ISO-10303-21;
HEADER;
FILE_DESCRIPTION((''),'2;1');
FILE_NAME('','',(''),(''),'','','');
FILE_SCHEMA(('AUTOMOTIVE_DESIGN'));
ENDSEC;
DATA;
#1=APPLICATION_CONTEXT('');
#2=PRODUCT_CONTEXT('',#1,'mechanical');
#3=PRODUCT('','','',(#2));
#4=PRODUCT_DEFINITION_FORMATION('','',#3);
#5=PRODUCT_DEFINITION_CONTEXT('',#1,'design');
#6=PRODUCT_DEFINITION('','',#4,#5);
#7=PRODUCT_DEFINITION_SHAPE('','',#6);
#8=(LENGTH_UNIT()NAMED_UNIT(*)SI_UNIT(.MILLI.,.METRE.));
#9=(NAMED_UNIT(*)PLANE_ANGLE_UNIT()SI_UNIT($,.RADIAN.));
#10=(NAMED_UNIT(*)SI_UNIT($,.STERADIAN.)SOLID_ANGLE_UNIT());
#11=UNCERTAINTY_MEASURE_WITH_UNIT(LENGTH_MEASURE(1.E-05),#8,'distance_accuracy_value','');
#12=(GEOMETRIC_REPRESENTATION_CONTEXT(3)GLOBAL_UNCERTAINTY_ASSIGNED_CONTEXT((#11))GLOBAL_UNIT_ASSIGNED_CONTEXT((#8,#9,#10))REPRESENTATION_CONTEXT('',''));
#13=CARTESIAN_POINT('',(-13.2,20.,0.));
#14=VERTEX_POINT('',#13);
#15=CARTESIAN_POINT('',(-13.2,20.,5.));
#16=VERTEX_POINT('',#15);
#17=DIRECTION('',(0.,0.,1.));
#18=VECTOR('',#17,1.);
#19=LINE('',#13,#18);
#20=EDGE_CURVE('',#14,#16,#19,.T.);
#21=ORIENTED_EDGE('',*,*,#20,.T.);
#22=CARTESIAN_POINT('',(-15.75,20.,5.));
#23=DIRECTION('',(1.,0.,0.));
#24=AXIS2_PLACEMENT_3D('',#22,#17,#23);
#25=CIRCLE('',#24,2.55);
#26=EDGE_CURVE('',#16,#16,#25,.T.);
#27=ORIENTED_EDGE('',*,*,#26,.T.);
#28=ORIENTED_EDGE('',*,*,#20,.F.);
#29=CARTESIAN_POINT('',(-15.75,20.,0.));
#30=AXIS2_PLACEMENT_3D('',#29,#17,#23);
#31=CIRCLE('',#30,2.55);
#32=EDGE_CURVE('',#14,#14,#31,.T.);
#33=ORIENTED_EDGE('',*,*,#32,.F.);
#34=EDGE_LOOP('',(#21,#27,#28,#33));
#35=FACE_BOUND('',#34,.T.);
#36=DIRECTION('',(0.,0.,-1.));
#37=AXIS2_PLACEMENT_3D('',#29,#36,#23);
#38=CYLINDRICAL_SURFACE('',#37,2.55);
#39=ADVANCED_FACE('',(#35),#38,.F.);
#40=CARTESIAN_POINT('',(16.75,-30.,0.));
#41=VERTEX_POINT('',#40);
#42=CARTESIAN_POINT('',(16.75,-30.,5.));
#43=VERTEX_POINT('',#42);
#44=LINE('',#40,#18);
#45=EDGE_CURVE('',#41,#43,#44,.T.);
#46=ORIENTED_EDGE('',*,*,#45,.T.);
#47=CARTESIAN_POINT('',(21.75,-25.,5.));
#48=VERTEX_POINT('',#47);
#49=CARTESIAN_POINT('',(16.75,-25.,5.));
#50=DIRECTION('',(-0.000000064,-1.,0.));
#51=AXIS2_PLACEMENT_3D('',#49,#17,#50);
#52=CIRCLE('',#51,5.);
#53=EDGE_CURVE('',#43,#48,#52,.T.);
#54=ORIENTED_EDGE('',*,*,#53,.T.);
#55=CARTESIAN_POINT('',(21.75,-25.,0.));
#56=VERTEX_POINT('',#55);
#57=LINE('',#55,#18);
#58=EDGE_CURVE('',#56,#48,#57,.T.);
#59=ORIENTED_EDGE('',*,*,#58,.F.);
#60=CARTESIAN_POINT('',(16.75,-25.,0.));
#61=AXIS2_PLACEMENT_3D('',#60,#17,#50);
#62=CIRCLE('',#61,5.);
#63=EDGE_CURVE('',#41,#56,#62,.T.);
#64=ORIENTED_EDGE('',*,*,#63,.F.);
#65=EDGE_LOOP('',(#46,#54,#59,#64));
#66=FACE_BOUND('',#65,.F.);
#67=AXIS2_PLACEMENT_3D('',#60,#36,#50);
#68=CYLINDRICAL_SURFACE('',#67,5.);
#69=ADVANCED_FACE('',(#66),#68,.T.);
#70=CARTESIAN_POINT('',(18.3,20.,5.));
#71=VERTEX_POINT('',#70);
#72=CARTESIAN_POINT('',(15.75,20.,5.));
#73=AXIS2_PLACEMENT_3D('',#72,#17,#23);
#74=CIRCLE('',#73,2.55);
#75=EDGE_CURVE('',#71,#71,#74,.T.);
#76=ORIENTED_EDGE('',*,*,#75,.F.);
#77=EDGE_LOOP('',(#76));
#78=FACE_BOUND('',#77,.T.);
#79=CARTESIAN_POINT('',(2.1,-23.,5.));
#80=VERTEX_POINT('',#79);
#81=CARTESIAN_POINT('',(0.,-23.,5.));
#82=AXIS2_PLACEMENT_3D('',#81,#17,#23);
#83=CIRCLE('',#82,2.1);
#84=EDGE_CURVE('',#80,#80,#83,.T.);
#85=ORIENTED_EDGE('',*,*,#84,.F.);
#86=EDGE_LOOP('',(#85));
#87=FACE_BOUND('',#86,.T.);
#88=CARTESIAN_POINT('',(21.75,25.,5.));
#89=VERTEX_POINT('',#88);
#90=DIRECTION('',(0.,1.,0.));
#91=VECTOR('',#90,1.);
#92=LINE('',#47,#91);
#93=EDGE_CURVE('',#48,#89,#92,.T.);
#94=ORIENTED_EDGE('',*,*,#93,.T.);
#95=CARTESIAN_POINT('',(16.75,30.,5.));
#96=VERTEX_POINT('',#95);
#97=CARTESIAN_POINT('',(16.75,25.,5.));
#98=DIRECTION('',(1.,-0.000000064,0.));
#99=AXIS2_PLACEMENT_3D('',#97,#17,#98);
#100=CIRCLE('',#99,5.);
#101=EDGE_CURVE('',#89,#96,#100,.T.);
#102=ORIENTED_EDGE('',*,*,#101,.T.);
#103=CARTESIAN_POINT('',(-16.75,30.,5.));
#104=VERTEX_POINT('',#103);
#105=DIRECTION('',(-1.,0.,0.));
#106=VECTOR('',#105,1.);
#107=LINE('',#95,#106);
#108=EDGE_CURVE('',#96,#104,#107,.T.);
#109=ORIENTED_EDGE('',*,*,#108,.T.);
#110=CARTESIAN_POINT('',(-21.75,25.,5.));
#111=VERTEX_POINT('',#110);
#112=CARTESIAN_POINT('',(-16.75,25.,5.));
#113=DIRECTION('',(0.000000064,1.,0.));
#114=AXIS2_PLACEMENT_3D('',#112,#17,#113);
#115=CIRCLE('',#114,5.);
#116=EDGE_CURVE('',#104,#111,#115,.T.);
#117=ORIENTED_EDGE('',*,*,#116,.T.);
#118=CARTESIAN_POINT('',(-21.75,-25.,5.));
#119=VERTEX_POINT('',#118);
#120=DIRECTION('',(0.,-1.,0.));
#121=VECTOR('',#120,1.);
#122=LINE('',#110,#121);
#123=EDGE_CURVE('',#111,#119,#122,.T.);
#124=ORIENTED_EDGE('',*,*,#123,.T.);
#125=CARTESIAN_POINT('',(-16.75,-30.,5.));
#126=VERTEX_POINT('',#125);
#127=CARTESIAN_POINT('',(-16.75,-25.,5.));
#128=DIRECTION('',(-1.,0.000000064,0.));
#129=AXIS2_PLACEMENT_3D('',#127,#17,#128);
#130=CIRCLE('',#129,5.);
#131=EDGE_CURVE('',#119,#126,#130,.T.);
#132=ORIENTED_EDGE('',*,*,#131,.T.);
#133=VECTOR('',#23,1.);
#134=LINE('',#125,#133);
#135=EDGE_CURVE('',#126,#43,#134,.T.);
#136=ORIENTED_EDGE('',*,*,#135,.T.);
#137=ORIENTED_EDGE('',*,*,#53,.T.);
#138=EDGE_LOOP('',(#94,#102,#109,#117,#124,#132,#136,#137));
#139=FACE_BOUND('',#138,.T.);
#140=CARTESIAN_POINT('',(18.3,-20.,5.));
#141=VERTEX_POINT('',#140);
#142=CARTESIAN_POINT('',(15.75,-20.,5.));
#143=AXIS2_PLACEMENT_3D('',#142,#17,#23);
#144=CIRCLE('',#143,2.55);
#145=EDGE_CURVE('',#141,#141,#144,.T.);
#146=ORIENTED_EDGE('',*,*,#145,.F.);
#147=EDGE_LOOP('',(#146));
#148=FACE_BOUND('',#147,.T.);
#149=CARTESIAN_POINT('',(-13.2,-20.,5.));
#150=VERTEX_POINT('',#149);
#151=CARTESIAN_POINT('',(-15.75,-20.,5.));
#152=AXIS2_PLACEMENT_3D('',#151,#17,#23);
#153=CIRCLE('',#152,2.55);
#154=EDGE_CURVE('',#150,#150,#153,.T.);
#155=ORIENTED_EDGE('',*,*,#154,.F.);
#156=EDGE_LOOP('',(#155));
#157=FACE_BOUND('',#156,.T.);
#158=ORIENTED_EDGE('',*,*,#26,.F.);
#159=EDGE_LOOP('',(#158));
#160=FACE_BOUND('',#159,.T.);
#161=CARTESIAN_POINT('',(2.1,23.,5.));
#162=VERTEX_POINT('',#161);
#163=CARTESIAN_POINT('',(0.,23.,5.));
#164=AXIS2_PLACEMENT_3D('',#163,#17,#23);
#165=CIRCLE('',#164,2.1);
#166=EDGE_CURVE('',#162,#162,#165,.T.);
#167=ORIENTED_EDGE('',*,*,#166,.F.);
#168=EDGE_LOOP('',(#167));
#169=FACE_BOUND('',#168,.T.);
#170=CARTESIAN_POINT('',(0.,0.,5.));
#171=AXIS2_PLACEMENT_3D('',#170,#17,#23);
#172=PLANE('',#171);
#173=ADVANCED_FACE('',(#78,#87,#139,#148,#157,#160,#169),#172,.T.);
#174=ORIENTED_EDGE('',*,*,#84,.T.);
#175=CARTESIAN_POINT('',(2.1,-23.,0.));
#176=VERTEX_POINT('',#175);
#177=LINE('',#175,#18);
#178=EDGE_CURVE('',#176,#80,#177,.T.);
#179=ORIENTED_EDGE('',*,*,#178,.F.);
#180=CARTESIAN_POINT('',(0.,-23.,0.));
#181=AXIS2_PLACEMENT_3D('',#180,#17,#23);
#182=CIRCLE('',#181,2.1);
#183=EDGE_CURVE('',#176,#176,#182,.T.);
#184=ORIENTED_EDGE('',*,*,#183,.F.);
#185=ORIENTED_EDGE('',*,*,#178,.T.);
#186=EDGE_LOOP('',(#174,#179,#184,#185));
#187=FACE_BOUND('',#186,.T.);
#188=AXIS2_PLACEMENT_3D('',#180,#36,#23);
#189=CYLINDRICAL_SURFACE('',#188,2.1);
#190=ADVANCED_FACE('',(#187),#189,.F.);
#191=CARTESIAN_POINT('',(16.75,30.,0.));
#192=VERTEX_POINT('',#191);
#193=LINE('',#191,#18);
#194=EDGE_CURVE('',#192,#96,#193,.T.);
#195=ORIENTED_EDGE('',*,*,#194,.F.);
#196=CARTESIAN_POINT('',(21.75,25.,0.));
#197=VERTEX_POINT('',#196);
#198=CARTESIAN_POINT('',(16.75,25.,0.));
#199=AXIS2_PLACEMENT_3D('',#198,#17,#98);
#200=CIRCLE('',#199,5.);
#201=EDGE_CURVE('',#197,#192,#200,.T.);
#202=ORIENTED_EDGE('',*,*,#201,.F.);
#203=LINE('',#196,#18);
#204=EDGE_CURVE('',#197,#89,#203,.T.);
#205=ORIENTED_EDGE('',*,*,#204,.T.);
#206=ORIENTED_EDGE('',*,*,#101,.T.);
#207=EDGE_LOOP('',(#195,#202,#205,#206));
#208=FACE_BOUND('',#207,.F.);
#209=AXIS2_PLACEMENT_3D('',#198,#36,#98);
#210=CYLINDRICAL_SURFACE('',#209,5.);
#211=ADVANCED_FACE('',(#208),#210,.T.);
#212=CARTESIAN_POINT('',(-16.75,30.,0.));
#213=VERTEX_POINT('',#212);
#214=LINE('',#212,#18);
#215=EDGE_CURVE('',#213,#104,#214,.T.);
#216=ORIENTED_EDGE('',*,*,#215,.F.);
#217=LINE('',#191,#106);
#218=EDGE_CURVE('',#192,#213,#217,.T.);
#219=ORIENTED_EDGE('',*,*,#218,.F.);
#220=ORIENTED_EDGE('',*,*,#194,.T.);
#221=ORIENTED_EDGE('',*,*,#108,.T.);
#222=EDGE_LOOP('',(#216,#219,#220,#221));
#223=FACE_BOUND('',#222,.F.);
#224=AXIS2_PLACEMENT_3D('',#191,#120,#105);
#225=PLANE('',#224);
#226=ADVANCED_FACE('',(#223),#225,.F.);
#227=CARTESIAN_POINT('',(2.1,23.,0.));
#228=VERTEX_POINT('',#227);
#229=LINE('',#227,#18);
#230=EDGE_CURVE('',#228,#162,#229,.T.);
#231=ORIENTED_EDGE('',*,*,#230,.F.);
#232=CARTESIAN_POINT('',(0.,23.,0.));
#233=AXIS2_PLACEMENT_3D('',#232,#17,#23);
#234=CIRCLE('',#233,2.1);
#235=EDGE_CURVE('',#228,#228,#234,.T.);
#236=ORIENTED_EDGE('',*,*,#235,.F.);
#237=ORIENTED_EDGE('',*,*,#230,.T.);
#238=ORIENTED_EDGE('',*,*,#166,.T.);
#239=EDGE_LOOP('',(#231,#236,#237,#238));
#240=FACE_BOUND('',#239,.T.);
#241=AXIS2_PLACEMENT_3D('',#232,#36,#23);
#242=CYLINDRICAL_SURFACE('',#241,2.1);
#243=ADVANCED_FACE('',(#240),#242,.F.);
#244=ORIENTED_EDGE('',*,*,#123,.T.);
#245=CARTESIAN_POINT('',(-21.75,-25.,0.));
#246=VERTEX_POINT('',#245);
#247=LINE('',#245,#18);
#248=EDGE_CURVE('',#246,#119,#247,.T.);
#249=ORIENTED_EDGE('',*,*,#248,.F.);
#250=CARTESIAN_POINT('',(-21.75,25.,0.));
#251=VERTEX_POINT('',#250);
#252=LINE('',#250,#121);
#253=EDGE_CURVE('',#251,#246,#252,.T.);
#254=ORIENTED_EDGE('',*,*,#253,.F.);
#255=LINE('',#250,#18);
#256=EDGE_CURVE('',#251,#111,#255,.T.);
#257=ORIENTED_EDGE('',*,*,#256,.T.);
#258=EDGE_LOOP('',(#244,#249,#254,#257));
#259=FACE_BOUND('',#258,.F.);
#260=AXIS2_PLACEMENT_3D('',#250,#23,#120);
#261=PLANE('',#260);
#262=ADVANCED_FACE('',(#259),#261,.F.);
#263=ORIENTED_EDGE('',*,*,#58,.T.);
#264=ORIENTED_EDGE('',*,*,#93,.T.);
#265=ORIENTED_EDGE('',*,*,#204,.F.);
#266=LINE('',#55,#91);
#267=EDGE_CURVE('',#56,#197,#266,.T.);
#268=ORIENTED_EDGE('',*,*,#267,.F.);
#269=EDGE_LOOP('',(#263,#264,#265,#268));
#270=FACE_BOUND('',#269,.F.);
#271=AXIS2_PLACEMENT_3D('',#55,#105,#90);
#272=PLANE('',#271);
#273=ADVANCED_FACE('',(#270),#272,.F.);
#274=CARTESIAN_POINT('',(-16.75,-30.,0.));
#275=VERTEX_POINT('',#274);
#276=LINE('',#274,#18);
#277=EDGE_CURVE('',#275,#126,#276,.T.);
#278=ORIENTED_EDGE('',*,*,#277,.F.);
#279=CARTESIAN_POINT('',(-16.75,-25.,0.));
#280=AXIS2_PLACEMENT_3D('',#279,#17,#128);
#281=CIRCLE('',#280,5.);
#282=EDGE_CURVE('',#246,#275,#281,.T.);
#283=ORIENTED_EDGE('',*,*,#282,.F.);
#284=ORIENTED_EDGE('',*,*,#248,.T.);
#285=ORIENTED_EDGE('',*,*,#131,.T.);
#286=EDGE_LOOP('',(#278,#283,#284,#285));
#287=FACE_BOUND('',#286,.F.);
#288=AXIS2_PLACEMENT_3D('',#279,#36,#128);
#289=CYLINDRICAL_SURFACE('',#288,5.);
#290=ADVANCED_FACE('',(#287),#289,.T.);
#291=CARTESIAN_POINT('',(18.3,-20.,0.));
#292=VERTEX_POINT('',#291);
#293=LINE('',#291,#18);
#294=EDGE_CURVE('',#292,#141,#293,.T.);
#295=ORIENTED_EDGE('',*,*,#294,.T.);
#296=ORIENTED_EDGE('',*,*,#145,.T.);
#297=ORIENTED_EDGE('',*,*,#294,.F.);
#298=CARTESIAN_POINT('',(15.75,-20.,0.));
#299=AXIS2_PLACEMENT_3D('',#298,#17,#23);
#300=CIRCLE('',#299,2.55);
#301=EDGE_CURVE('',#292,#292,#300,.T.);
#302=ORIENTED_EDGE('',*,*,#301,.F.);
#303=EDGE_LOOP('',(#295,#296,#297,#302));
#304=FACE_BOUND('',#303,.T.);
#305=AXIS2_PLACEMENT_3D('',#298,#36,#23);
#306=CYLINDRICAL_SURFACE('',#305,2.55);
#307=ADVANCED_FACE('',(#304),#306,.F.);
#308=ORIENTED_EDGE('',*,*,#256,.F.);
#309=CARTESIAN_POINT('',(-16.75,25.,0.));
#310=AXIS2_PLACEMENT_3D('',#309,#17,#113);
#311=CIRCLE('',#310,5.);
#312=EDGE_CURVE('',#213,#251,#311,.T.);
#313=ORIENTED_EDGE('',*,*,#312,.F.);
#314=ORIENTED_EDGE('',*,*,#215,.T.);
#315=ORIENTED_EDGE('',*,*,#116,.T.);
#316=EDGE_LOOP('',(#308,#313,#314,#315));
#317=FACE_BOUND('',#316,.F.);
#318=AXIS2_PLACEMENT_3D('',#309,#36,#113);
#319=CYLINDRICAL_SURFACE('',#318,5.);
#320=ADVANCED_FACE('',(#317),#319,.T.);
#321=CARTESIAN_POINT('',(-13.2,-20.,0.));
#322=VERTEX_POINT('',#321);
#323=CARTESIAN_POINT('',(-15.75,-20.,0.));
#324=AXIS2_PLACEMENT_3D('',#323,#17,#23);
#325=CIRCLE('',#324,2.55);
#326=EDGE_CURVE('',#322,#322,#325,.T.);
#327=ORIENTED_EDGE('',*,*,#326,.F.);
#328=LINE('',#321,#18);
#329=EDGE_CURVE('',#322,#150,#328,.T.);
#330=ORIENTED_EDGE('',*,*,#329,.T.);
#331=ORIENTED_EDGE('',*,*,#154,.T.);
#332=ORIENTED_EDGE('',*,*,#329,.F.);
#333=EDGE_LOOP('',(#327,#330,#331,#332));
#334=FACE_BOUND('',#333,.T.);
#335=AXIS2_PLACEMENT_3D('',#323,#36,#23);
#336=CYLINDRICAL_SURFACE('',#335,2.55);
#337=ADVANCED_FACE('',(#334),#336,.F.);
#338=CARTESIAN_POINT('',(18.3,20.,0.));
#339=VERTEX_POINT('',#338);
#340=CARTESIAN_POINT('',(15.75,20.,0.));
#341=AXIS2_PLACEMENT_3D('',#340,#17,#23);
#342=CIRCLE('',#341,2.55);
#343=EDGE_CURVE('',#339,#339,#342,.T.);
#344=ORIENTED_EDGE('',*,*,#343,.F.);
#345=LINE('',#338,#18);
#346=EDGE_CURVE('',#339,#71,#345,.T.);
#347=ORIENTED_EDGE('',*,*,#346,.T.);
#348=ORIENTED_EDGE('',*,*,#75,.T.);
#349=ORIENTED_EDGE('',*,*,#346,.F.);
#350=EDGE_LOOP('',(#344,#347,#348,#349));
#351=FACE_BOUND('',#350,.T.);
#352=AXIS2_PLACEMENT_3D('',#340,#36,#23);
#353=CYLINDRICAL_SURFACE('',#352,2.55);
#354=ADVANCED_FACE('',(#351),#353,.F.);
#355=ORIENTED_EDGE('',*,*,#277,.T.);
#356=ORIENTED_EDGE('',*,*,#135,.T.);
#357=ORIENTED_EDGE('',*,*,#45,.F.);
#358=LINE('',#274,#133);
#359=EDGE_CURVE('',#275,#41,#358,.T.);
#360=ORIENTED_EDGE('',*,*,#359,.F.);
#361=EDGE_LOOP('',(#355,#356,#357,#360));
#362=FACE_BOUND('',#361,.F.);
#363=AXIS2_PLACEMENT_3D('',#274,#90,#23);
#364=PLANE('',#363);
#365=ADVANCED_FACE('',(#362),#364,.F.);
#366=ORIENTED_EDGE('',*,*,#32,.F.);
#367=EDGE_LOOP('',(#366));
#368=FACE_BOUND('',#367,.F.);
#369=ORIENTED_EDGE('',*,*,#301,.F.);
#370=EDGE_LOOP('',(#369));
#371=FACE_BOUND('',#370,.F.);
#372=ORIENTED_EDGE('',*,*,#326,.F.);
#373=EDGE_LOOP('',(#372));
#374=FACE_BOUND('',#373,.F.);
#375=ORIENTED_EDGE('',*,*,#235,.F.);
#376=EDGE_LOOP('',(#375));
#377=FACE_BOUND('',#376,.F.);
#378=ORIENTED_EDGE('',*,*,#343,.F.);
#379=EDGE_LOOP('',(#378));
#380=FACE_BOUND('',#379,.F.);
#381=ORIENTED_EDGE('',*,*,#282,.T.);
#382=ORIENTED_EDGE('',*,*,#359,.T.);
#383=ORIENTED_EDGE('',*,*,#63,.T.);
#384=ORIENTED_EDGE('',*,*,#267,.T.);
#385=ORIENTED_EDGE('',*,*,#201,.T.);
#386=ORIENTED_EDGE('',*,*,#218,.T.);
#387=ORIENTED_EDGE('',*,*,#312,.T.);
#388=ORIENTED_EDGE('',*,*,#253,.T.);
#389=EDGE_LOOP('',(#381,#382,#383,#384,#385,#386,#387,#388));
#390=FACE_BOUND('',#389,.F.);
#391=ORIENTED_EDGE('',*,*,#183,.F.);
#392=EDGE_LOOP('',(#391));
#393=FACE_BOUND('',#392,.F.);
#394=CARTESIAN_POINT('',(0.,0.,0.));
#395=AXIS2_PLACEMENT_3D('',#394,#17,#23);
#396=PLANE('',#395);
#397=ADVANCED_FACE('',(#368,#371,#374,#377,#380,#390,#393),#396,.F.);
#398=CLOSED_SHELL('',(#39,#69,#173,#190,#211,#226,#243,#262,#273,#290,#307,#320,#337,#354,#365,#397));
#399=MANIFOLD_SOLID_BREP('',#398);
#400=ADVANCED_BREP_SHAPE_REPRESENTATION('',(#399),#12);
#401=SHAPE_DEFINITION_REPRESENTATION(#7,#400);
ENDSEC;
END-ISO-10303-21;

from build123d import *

# Parameters (mm, degrees)
F0_R     = 2.55
F0_R_2   = 2.1
F1_DEPTH = 5


with BuildPart() as f1:
    # F0 (on Top) → F1 (new body)
    with BuildSketch(Plane.XY):
        with BuildLine():
            Line((-16.75, -30), (16.75, -30))
            ThreePointArc((16.75, -30), (20.285534, -28.535534), (21.75, -25))
            Line((21.75, -25), (21.75, 25))
            ThreePointArc((21.75, 25), (20.285534, 28.535534), (16.75, 30))
            Line((16.75, 30), (-16.75, 30))
            ThreePointArc((-16.75, 30), (-20.285534, 28.535534), (-21.75, 25))
            Line((-21.75, 25), (-21.75, -25))
            ThreePointArc((-21.75, -25), (-20.285534, -28.535534), (-16.75, -30))
        make_face()
        with Locations((-15.75, -20)):
            Circle(F0_R, mode=Mode.SUBTRACT)
        with Locations((0, -23)):
            Circle(F0_R_2, mode=Mode.SUBTRACT)
        with Locations((15.75, -20)):
            Circle(F0_R, mode=Mode.SUBTRACT)
        with Locations((-15.75, 20)):
            Circle(F0_R, mode=Mode.SUBTRACT)
        with Locations((0, 23)):
            Circle(F0_R_2, mode=Mode.SUBTRACT)
        with Locations((15.75, 20)):
            Circle(F0_R, mode=Mode.SUBTRACT)
    extrude(amount=F1_DEPTH)


solid = f1.part
